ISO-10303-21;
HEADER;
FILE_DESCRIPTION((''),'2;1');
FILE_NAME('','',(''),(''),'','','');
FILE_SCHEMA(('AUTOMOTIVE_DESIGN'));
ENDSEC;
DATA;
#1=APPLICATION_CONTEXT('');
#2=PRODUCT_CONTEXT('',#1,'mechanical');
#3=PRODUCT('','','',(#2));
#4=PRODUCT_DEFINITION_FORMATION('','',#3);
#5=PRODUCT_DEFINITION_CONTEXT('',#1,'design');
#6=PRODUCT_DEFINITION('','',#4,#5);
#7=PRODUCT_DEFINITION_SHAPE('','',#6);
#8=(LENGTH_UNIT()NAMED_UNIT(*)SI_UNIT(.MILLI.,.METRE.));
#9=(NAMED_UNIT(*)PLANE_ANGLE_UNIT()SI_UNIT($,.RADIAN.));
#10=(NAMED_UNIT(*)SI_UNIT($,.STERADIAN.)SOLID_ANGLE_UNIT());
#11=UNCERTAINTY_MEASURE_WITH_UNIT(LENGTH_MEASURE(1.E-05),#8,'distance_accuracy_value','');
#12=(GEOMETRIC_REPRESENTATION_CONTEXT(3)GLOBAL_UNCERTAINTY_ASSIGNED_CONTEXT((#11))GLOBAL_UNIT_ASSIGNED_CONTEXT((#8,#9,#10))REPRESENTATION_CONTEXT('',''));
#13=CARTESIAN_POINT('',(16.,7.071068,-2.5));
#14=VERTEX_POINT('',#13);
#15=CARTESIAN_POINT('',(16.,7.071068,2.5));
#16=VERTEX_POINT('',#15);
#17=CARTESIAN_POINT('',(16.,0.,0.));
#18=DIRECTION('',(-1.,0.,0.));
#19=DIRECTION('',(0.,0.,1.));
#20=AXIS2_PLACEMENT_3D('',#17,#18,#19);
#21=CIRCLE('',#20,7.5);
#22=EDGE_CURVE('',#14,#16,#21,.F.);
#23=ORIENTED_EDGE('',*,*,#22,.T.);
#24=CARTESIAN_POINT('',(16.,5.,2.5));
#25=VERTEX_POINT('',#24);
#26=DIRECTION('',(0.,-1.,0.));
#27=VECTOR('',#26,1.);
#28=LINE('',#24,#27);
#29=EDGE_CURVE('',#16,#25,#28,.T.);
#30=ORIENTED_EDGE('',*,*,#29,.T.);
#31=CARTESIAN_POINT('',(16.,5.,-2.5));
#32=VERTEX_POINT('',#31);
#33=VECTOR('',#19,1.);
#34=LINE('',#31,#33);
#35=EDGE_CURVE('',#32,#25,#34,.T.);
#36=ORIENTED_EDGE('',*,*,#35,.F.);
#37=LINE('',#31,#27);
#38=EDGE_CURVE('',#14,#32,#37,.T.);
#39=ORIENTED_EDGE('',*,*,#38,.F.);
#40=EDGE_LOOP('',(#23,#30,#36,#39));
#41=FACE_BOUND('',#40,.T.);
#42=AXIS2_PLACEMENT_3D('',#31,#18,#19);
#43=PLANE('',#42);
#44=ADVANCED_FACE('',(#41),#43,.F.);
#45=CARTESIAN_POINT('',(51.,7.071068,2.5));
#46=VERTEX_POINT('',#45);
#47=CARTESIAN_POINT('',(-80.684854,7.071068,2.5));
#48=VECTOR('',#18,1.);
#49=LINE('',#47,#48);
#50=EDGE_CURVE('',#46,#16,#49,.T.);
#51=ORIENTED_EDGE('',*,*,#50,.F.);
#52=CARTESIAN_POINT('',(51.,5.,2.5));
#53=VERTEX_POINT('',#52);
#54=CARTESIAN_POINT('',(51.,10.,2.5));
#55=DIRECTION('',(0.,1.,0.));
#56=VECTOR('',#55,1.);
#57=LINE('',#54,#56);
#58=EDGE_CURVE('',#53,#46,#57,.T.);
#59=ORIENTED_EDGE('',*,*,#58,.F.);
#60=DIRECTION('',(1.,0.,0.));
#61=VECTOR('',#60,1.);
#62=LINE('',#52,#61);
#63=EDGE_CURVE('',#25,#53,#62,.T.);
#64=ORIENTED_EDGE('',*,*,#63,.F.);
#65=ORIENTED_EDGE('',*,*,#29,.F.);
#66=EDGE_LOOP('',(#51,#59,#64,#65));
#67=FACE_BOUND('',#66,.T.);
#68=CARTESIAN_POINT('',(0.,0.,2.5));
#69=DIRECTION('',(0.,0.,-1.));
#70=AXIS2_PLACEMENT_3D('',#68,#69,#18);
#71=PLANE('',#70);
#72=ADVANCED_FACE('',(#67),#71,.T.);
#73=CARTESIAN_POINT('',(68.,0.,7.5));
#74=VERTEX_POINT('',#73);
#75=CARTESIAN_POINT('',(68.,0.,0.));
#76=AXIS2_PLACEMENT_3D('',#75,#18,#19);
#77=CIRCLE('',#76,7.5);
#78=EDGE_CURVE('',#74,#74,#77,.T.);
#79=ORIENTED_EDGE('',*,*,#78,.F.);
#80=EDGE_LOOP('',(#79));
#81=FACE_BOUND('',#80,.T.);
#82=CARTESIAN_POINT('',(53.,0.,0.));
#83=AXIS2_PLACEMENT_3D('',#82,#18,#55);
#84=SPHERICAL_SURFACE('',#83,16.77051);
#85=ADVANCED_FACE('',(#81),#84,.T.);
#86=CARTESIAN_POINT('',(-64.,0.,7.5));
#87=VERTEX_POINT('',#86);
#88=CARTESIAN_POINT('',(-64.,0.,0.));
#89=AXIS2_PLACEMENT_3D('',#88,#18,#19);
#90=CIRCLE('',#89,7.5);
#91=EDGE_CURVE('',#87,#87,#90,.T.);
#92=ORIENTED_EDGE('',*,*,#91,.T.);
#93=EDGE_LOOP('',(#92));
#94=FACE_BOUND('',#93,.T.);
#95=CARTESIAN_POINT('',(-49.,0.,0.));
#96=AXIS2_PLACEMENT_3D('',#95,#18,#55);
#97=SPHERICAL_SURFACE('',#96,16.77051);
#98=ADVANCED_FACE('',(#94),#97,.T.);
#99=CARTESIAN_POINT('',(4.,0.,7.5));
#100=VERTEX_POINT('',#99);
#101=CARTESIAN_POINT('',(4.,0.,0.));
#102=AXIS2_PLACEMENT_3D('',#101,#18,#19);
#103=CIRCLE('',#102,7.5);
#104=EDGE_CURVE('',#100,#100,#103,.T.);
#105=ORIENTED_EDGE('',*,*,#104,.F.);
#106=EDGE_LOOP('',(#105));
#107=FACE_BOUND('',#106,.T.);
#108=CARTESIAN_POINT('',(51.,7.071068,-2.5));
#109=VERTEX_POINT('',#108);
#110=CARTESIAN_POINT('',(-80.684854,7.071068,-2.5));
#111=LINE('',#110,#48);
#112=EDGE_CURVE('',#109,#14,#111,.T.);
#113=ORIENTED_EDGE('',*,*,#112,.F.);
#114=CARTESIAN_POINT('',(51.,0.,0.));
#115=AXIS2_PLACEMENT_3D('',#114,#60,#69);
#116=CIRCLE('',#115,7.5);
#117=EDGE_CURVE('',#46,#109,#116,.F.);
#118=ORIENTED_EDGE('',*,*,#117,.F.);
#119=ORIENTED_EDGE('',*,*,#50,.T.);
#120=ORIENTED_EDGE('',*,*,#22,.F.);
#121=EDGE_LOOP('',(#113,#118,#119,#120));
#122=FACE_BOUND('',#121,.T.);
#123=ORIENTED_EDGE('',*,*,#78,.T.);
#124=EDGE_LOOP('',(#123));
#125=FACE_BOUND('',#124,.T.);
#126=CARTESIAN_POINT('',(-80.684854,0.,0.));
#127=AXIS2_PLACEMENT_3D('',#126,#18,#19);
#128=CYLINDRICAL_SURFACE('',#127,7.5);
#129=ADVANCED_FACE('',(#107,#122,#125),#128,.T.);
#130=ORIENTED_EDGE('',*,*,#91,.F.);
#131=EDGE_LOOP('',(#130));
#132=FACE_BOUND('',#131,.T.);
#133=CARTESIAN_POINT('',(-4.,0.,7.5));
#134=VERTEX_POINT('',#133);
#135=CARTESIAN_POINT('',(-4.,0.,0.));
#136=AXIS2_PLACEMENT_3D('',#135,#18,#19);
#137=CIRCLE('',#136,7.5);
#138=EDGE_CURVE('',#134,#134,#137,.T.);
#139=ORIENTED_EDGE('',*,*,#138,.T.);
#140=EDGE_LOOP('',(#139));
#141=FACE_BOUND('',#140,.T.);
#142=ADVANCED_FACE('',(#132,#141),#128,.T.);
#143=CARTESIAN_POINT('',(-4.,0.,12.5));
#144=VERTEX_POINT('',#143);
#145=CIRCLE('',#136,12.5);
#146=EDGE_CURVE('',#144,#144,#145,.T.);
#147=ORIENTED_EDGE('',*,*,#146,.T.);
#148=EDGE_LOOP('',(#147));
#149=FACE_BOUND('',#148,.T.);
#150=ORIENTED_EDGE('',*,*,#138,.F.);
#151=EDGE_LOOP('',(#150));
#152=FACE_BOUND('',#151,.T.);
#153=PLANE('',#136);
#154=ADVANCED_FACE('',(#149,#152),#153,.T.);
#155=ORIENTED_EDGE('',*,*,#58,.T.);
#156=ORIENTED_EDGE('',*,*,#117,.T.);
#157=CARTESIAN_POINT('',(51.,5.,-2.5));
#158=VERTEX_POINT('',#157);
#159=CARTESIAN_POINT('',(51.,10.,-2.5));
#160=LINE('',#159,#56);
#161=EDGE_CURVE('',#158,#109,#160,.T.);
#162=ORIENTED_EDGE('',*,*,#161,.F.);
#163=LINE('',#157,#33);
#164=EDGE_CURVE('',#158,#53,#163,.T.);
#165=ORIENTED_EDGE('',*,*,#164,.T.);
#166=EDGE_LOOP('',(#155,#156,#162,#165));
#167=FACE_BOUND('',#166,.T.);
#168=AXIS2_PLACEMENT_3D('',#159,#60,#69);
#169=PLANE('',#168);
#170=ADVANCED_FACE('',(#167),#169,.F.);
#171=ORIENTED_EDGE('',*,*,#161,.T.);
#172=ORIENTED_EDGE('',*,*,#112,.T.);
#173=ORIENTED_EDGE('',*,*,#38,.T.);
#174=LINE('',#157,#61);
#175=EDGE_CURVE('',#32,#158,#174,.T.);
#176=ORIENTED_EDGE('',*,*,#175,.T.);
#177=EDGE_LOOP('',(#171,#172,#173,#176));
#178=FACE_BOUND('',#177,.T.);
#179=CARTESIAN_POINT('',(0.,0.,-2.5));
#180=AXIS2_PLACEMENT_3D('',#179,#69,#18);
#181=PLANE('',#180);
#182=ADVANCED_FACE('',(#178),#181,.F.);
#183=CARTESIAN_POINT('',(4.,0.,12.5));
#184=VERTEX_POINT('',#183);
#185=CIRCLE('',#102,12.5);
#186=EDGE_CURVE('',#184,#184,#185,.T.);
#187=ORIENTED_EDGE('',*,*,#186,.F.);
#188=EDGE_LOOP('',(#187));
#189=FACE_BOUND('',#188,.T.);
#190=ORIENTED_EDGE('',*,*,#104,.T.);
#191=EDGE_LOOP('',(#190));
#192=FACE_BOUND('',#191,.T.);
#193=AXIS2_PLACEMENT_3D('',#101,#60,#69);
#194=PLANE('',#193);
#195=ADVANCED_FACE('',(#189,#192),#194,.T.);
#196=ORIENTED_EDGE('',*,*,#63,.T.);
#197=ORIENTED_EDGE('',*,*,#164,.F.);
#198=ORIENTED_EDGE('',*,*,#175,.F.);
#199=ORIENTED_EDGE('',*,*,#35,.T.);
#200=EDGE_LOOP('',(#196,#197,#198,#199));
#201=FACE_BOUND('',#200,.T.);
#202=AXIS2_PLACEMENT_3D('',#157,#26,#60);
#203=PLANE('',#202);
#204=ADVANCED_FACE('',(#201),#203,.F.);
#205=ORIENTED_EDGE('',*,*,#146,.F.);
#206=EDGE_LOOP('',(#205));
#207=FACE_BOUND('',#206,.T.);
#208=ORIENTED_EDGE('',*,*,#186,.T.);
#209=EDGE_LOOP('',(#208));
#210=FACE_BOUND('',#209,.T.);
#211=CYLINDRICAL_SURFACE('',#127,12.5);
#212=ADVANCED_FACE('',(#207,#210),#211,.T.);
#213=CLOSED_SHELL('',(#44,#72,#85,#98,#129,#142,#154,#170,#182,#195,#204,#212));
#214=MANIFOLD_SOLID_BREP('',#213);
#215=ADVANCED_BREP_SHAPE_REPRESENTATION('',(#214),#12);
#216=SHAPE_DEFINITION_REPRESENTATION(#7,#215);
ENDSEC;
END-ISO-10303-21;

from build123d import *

# Parameters (mm, degrees)
CUT_EXTRUDE1_DEPTH = 2.5


with BuildPart() as part:
    # Sketch1 → Revolve1 (revolve)
    with BuildSketch(Plane.XY, mode=Mode.PRIVATE) as revolve1_sk:
        Polygon((-64, 7.5), (-64, 0), (68, 0), (68, 7.5), (4, 7.5), (4, 12.5), (-4, 12.5), (-4, 7.5), align=None)
        with BuildLine():
            Line((69.770509831, 0), (68, 0))
            Line((68, 0), (68, 7.5))
            ThreePointArc((68, 7.5), (69.321881746, 3.853073613), (69.770509831, 0))
        make_face()
        with BuildLine():
            Line((-64, 0), (-64, 7.5))
            ThreePointArc((-64, 7.5), (-65.321881746, 3.853073613), (-65.770509831, 0))
            Line((-65.770509831, 0), (-64, 0))
        make_face()
    revolve(revolve1_sk.sketch.rotate(Axis((-80.68485448, 0, 0), (1, 0, 0)), 90), axis=Axis((-80.68485448, 0, 0), (1, 0, 0)))

    # Sketch2 → Cut-Extrude1 (cut, symmetric)
    with BuildSketch(Plane.XY):
        Polygon((51, 10), (51, 5), (16, 5), (16, 9.65), align=None)
    extrude(amount=CUT_EXTRUDE1_DEPTH, both=True, mode=Mode.SUBTRACT)


solid = part.part
